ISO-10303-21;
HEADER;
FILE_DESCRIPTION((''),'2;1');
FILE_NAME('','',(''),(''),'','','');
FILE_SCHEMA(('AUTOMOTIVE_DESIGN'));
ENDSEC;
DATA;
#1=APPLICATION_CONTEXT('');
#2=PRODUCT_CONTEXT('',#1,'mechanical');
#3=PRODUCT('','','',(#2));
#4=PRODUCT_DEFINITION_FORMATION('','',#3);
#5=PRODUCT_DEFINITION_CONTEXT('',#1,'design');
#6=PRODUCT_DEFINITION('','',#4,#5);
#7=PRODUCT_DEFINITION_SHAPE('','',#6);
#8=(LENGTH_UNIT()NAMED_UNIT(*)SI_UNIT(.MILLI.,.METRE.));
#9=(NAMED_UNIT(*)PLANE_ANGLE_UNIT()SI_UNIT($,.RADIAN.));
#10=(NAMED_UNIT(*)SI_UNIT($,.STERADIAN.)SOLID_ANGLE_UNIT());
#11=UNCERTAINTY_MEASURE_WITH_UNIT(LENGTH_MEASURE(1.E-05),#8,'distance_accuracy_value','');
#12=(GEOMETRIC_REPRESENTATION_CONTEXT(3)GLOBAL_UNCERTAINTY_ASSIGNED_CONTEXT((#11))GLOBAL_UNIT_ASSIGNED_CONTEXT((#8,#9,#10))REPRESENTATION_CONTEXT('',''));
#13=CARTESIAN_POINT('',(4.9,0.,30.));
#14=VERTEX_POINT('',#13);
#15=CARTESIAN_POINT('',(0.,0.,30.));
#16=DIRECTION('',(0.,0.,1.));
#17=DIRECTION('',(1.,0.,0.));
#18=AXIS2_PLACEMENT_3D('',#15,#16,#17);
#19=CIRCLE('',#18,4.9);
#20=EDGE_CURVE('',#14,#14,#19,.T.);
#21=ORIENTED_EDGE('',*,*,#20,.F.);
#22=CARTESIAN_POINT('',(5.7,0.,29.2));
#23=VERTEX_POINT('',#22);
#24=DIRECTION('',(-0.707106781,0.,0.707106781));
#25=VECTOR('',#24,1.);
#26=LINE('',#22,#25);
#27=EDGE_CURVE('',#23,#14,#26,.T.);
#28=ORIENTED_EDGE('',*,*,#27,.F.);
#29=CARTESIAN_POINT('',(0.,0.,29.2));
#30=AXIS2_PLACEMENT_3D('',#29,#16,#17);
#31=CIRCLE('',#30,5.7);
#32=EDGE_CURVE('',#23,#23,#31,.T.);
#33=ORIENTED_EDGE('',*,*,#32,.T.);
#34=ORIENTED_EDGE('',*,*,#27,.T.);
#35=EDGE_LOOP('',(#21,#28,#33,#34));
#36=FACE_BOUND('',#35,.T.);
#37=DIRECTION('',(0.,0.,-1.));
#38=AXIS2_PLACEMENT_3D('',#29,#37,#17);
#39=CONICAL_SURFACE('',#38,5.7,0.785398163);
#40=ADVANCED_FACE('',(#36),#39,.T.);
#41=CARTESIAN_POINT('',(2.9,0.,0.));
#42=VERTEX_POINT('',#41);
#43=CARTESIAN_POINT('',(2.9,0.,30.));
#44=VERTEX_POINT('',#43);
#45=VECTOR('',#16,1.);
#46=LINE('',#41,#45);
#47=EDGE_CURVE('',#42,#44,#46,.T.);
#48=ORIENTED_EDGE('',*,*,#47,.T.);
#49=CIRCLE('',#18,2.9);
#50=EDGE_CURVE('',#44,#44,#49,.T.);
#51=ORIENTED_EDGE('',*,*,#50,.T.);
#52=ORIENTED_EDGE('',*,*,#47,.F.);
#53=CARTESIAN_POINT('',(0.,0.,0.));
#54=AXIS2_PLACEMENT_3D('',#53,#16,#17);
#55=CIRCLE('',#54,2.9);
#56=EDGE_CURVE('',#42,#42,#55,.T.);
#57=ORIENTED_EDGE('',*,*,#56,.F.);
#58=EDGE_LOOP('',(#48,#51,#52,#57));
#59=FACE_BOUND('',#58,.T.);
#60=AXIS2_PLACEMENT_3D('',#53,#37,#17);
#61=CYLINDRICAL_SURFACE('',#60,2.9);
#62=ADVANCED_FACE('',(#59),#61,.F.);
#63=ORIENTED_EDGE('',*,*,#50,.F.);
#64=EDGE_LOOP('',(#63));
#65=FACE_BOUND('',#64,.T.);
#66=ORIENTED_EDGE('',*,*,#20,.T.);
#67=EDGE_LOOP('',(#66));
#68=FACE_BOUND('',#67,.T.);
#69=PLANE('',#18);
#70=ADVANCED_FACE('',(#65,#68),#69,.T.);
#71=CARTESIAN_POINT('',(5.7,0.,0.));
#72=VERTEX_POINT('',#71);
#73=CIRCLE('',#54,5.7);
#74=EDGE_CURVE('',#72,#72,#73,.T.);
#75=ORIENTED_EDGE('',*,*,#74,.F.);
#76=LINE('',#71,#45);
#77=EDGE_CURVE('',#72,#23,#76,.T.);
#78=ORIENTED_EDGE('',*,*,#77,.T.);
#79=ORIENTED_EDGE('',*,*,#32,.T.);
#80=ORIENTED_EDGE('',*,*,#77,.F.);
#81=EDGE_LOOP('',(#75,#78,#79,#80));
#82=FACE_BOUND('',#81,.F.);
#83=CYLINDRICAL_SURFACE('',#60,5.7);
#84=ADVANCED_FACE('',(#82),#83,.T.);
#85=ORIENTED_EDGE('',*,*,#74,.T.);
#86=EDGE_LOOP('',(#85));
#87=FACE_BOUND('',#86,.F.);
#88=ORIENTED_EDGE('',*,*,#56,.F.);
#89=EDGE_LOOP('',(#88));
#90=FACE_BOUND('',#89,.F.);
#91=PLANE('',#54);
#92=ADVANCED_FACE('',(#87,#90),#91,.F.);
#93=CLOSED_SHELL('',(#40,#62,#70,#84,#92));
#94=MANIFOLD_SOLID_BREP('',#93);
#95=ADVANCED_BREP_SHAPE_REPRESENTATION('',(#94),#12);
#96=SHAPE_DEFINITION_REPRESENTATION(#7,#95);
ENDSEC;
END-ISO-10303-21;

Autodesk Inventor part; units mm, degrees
ref_plane "YZ Plane" through (0, 0, 0) normal (1, 0, 0) x (0, 1, 0)
ref_plane "XZ Plane" through (0, 0, 0) normal (0, 1, 0) x (-1, 0, 0)
ref_plane "XY Plane" through (0, 0, 0) normal (0, 0, 1) x (1, 0, 0)
sketch "Sketch1" plane through (0, 0, 0) normal (0, 0, 1) x (1, 0, 0)
  circle A0 centre (0, 0) radius 5.7
  dimension "d0" = 11.4
extrude "Extrusion1" add sketch "Sketch1" along normal blind 30
chamfer "Chamfer1" distance 0.8 angle 45 1 edges at (-5.7, 0, 30)
sketch "Sketch2" plane through (0, 0, 0) normal (0, 0, 1) x (1, 0, 0)
  circle A0 centre (0, 0) radius 2.9
  dimension "d6" = 5.8
extrude "Extrusion2" cut sketch "Sketch2" along normal up to surface (30 mm away)
properties part number "Insert30mm"
